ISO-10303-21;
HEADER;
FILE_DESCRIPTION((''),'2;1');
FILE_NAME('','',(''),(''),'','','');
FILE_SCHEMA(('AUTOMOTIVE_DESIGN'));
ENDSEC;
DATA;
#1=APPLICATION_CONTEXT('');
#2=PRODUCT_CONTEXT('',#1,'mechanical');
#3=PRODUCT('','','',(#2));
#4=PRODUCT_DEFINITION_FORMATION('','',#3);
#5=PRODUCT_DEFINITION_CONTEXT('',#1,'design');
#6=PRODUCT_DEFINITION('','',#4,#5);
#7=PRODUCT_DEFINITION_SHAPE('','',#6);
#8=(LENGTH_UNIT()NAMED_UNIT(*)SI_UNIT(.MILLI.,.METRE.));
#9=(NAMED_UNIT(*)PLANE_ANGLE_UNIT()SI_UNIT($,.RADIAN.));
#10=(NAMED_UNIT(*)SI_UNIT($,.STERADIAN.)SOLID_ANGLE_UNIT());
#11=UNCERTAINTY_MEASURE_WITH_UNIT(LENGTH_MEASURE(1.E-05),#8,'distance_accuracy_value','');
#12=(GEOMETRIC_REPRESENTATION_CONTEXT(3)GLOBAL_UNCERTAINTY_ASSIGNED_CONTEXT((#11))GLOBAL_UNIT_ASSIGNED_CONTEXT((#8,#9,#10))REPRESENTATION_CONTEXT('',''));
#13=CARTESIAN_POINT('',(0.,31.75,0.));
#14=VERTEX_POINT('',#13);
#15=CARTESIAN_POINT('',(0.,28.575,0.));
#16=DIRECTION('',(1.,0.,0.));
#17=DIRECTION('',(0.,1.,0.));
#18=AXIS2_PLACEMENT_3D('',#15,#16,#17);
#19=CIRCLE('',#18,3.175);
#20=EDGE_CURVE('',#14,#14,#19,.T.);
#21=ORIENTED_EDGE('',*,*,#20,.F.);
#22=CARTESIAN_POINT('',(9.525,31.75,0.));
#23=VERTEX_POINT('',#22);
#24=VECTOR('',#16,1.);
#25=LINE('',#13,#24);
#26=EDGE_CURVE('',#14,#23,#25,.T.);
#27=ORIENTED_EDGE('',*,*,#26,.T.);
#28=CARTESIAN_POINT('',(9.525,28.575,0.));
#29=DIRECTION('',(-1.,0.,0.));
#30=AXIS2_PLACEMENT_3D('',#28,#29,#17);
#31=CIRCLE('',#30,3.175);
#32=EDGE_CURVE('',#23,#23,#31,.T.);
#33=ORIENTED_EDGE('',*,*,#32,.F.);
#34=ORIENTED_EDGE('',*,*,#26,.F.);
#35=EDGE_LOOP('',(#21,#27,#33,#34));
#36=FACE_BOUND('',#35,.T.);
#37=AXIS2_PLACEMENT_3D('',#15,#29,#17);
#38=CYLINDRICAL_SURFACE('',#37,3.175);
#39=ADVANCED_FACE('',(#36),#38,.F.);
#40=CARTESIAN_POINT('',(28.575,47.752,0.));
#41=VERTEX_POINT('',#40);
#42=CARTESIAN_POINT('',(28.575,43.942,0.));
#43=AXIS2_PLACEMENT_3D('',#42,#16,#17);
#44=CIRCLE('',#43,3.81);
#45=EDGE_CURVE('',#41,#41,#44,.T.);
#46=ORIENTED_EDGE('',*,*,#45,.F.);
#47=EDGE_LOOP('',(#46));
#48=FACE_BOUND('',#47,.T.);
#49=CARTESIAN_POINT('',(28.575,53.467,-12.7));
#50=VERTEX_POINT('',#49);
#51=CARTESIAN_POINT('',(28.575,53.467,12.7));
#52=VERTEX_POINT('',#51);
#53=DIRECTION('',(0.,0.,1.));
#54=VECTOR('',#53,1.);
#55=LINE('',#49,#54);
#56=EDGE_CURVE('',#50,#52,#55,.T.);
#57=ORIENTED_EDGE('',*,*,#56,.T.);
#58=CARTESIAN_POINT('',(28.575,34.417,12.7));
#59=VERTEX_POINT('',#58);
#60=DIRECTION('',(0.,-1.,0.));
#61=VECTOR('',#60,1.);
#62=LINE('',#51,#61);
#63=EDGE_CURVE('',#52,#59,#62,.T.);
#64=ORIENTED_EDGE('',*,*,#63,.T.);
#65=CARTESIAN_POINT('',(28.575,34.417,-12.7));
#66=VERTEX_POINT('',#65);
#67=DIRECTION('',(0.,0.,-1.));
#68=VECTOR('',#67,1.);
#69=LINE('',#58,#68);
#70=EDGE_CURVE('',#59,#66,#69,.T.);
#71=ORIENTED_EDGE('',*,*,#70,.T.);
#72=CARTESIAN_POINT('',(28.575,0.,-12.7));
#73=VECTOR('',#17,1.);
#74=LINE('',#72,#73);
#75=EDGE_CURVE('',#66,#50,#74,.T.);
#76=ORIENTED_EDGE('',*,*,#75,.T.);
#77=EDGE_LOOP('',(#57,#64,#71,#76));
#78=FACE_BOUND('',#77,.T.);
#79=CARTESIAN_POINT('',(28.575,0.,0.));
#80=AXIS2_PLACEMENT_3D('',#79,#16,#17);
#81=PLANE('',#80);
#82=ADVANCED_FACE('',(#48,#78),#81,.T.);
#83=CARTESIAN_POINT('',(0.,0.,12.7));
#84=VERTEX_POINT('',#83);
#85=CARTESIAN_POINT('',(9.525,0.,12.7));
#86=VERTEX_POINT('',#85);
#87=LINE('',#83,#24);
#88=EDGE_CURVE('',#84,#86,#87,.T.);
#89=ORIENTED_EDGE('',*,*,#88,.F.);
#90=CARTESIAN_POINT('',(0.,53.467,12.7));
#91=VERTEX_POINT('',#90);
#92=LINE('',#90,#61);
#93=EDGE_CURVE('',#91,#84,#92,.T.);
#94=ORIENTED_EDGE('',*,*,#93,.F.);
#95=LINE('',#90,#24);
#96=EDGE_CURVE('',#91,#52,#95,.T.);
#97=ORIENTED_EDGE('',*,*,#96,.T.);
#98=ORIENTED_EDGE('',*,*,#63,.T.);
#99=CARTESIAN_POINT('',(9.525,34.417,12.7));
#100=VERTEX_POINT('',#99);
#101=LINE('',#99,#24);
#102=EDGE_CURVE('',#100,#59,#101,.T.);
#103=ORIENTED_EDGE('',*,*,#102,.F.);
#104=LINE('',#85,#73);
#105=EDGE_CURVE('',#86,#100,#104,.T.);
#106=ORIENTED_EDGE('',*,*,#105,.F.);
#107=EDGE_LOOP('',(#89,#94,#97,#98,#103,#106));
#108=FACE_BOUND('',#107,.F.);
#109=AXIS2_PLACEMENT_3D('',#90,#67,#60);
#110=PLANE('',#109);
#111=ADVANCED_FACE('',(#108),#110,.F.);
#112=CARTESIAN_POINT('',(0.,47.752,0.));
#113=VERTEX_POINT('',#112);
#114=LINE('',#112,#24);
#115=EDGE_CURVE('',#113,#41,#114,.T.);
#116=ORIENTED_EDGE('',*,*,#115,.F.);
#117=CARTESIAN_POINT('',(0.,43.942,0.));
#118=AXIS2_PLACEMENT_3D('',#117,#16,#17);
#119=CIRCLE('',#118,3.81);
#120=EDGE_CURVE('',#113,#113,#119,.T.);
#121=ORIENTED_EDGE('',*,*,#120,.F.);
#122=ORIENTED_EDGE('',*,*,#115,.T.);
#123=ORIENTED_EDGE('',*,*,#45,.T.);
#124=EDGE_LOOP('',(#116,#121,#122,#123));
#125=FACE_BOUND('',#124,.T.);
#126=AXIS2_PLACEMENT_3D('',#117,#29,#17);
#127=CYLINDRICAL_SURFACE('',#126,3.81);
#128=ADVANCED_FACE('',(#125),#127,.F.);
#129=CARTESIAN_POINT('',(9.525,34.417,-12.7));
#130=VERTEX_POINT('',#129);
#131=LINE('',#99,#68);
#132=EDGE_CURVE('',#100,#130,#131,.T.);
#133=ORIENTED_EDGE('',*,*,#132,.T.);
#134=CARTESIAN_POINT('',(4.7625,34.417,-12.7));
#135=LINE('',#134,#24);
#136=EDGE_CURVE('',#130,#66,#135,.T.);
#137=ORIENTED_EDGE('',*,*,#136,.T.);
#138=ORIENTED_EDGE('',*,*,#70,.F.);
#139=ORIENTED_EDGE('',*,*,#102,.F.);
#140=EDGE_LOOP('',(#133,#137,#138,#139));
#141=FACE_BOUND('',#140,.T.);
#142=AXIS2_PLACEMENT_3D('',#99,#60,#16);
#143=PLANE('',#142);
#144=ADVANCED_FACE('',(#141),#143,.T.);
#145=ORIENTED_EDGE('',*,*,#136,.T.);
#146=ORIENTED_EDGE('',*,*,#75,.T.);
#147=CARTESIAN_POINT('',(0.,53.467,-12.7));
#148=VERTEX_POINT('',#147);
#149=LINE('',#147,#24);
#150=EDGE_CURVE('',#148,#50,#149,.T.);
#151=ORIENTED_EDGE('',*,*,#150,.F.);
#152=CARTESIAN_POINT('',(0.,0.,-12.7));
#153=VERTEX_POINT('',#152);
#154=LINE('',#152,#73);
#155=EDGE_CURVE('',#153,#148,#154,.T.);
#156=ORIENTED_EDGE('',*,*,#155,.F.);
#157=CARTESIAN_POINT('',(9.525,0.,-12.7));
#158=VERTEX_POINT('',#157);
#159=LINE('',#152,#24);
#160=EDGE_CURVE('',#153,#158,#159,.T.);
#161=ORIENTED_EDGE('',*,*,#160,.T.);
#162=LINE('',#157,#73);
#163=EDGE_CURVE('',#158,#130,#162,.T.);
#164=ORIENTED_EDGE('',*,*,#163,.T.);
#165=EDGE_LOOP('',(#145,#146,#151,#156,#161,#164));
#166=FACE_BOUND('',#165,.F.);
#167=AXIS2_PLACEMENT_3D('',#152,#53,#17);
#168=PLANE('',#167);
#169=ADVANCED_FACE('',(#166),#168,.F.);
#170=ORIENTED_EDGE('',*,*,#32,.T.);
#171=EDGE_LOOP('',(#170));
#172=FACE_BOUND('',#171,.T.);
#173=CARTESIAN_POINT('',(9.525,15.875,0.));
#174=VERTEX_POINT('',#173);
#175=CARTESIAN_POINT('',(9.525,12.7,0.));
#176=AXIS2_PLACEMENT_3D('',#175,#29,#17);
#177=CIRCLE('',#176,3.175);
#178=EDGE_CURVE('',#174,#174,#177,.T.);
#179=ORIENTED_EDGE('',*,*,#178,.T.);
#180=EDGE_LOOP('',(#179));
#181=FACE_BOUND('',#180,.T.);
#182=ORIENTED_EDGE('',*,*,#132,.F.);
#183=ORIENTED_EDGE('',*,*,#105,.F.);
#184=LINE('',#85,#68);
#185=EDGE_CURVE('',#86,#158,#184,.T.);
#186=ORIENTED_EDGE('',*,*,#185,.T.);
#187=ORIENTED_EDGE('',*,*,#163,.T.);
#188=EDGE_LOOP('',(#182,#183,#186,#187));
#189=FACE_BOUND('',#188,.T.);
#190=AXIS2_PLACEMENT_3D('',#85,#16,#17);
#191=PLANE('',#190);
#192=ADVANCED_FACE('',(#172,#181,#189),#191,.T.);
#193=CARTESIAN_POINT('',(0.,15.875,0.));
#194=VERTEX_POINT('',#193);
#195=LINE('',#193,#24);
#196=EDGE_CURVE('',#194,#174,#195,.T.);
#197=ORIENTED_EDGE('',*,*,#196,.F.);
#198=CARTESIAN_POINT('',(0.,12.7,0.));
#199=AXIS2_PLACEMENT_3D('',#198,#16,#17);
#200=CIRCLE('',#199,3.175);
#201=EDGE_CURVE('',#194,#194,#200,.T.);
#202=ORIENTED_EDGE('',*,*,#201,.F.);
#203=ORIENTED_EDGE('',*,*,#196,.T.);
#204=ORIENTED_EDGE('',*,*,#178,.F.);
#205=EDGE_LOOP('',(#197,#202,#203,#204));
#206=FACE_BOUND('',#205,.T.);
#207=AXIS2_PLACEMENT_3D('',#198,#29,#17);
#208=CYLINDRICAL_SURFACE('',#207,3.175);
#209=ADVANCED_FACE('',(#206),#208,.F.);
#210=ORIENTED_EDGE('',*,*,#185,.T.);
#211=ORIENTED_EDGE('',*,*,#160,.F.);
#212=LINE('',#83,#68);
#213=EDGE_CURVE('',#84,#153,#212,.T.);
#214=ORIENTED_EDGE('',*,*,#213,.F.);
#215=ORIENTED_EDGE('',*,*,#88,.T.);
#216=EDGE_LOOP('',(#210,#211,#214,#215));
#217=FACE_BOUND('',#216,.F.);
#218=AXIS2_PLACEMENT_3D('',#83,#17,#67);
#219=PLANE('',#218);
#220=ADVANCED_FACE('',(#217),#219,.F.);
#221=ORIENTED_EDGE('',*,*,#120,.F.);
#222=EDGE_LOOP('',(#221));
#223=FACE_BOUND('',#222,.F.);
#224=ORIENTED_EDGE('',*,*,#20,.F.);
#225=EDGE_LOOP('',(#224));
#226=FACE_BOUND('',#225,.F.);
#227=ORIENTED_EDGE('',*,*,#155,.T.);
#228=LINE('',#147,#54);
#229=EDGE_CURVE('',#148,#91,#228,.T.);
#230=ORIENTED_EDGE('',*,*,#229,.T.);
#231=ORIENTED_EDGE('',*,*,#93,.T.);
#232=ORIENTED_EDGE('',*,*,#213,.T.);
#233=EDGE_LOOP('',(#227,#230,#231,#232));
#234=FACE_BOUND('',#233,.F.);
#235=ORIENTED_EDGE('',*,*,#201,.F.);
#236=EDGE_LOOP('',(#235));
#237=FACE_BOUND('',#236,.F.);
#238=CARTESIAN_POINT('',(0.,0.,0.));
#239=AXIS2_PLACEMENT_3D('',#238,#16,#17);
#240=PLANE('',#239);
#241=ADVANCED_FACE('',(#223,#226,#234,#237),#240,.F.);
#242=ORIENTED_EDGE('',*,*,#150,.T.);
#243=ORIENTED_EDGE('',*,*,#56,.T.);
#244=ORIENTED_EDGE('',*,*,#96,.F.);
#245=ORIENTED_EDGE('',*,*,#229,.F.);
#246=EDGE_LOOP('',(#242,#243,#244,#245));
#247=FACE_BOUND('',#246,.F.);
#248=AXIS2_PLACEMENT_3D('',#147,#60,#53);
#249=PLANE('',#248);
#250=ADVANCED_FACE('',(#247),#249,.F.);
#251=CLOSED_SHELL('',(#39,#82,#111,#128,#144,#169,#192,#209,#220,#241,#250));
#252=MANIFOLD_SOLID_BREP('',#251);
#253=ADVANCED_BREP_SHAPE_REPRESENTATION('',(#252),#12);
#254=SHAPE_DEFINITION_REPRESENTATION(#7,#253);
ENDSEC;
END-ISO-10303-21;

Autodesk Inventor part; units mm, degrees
ref_plane "YZ Plane" through (0, 0, 0) normal (1, 0, 0) x (0, 1, 0)
ref_plane "XZ Plane" through (0, 0, 0) normal (0, 1, 0) x (-1, 0, 0)
ref_plane "XY Plane" through (0, 0, 0) normal (0, 0, 1) x (1, 0, 0)
sketch "Sketch1" plane through (0, 0, 0) normal (1, 0, 0) x (0, 1, 0)
  line L0 (53.467, 12.7) -> (0, 12.7)
  line L1 (0, 12.7) -> (0, -12.7)
  line L2 (0, -12.7) -> (53.467, -12.7)
  line L3 (53.467, -12.7) -> (53.467, 12.7)
  line L4 (0, 0) -> (43.942, 0) construction
  circle A0 centre (43.942, 0) radius 3.81
  circle A1 centre (43.942, 0) radius 4.7625 construction
  circle A2 centre (28.575, 0) radius 3.175
  circle A3 centre (12.7, 0) radius 3.175
  dimension "d0" = 43.942
  dimension "d1" = 25.4
  dimension "d2" = 9.525
  dimension "d3" = 7.62
  dimension "d4" = 9.525
  dimension "d5" = 6.35
  dimension "d6" = 6.35
  dimension "d7" = 12.7
  dimension "d8" = 15.875
extrude "Extrusion1" add sketch "Sketch1" along normal blind 28.575
sketch "Sketch2" plane through (0, 0, 12.7) normal (0, 0, 1) x (1, 0, 0)
  line L0 (0, 0) -> (28.575, 0) construction
  line L1 (28.575, 0) -> (9.525, 0)
  line L2 (9.525, 0) -> (9.525, 34.417)
  line L3 (9.525, 34.417) -> (28.575, 34.417)
  line L4 (28.575, 34.417) -> (28.575, 0)
  line L5 (0, 53.467) -> (28.575, 53.467) construction
  line L6 (0, 53.467) -> (0, 0) construction
  dimension "d12" = 19.05
  dimension "d14" = 9.525
extrude "Extrusion2" cut sketch "Sketch2" against normal through all
properties part number "Hinge Block 2"
